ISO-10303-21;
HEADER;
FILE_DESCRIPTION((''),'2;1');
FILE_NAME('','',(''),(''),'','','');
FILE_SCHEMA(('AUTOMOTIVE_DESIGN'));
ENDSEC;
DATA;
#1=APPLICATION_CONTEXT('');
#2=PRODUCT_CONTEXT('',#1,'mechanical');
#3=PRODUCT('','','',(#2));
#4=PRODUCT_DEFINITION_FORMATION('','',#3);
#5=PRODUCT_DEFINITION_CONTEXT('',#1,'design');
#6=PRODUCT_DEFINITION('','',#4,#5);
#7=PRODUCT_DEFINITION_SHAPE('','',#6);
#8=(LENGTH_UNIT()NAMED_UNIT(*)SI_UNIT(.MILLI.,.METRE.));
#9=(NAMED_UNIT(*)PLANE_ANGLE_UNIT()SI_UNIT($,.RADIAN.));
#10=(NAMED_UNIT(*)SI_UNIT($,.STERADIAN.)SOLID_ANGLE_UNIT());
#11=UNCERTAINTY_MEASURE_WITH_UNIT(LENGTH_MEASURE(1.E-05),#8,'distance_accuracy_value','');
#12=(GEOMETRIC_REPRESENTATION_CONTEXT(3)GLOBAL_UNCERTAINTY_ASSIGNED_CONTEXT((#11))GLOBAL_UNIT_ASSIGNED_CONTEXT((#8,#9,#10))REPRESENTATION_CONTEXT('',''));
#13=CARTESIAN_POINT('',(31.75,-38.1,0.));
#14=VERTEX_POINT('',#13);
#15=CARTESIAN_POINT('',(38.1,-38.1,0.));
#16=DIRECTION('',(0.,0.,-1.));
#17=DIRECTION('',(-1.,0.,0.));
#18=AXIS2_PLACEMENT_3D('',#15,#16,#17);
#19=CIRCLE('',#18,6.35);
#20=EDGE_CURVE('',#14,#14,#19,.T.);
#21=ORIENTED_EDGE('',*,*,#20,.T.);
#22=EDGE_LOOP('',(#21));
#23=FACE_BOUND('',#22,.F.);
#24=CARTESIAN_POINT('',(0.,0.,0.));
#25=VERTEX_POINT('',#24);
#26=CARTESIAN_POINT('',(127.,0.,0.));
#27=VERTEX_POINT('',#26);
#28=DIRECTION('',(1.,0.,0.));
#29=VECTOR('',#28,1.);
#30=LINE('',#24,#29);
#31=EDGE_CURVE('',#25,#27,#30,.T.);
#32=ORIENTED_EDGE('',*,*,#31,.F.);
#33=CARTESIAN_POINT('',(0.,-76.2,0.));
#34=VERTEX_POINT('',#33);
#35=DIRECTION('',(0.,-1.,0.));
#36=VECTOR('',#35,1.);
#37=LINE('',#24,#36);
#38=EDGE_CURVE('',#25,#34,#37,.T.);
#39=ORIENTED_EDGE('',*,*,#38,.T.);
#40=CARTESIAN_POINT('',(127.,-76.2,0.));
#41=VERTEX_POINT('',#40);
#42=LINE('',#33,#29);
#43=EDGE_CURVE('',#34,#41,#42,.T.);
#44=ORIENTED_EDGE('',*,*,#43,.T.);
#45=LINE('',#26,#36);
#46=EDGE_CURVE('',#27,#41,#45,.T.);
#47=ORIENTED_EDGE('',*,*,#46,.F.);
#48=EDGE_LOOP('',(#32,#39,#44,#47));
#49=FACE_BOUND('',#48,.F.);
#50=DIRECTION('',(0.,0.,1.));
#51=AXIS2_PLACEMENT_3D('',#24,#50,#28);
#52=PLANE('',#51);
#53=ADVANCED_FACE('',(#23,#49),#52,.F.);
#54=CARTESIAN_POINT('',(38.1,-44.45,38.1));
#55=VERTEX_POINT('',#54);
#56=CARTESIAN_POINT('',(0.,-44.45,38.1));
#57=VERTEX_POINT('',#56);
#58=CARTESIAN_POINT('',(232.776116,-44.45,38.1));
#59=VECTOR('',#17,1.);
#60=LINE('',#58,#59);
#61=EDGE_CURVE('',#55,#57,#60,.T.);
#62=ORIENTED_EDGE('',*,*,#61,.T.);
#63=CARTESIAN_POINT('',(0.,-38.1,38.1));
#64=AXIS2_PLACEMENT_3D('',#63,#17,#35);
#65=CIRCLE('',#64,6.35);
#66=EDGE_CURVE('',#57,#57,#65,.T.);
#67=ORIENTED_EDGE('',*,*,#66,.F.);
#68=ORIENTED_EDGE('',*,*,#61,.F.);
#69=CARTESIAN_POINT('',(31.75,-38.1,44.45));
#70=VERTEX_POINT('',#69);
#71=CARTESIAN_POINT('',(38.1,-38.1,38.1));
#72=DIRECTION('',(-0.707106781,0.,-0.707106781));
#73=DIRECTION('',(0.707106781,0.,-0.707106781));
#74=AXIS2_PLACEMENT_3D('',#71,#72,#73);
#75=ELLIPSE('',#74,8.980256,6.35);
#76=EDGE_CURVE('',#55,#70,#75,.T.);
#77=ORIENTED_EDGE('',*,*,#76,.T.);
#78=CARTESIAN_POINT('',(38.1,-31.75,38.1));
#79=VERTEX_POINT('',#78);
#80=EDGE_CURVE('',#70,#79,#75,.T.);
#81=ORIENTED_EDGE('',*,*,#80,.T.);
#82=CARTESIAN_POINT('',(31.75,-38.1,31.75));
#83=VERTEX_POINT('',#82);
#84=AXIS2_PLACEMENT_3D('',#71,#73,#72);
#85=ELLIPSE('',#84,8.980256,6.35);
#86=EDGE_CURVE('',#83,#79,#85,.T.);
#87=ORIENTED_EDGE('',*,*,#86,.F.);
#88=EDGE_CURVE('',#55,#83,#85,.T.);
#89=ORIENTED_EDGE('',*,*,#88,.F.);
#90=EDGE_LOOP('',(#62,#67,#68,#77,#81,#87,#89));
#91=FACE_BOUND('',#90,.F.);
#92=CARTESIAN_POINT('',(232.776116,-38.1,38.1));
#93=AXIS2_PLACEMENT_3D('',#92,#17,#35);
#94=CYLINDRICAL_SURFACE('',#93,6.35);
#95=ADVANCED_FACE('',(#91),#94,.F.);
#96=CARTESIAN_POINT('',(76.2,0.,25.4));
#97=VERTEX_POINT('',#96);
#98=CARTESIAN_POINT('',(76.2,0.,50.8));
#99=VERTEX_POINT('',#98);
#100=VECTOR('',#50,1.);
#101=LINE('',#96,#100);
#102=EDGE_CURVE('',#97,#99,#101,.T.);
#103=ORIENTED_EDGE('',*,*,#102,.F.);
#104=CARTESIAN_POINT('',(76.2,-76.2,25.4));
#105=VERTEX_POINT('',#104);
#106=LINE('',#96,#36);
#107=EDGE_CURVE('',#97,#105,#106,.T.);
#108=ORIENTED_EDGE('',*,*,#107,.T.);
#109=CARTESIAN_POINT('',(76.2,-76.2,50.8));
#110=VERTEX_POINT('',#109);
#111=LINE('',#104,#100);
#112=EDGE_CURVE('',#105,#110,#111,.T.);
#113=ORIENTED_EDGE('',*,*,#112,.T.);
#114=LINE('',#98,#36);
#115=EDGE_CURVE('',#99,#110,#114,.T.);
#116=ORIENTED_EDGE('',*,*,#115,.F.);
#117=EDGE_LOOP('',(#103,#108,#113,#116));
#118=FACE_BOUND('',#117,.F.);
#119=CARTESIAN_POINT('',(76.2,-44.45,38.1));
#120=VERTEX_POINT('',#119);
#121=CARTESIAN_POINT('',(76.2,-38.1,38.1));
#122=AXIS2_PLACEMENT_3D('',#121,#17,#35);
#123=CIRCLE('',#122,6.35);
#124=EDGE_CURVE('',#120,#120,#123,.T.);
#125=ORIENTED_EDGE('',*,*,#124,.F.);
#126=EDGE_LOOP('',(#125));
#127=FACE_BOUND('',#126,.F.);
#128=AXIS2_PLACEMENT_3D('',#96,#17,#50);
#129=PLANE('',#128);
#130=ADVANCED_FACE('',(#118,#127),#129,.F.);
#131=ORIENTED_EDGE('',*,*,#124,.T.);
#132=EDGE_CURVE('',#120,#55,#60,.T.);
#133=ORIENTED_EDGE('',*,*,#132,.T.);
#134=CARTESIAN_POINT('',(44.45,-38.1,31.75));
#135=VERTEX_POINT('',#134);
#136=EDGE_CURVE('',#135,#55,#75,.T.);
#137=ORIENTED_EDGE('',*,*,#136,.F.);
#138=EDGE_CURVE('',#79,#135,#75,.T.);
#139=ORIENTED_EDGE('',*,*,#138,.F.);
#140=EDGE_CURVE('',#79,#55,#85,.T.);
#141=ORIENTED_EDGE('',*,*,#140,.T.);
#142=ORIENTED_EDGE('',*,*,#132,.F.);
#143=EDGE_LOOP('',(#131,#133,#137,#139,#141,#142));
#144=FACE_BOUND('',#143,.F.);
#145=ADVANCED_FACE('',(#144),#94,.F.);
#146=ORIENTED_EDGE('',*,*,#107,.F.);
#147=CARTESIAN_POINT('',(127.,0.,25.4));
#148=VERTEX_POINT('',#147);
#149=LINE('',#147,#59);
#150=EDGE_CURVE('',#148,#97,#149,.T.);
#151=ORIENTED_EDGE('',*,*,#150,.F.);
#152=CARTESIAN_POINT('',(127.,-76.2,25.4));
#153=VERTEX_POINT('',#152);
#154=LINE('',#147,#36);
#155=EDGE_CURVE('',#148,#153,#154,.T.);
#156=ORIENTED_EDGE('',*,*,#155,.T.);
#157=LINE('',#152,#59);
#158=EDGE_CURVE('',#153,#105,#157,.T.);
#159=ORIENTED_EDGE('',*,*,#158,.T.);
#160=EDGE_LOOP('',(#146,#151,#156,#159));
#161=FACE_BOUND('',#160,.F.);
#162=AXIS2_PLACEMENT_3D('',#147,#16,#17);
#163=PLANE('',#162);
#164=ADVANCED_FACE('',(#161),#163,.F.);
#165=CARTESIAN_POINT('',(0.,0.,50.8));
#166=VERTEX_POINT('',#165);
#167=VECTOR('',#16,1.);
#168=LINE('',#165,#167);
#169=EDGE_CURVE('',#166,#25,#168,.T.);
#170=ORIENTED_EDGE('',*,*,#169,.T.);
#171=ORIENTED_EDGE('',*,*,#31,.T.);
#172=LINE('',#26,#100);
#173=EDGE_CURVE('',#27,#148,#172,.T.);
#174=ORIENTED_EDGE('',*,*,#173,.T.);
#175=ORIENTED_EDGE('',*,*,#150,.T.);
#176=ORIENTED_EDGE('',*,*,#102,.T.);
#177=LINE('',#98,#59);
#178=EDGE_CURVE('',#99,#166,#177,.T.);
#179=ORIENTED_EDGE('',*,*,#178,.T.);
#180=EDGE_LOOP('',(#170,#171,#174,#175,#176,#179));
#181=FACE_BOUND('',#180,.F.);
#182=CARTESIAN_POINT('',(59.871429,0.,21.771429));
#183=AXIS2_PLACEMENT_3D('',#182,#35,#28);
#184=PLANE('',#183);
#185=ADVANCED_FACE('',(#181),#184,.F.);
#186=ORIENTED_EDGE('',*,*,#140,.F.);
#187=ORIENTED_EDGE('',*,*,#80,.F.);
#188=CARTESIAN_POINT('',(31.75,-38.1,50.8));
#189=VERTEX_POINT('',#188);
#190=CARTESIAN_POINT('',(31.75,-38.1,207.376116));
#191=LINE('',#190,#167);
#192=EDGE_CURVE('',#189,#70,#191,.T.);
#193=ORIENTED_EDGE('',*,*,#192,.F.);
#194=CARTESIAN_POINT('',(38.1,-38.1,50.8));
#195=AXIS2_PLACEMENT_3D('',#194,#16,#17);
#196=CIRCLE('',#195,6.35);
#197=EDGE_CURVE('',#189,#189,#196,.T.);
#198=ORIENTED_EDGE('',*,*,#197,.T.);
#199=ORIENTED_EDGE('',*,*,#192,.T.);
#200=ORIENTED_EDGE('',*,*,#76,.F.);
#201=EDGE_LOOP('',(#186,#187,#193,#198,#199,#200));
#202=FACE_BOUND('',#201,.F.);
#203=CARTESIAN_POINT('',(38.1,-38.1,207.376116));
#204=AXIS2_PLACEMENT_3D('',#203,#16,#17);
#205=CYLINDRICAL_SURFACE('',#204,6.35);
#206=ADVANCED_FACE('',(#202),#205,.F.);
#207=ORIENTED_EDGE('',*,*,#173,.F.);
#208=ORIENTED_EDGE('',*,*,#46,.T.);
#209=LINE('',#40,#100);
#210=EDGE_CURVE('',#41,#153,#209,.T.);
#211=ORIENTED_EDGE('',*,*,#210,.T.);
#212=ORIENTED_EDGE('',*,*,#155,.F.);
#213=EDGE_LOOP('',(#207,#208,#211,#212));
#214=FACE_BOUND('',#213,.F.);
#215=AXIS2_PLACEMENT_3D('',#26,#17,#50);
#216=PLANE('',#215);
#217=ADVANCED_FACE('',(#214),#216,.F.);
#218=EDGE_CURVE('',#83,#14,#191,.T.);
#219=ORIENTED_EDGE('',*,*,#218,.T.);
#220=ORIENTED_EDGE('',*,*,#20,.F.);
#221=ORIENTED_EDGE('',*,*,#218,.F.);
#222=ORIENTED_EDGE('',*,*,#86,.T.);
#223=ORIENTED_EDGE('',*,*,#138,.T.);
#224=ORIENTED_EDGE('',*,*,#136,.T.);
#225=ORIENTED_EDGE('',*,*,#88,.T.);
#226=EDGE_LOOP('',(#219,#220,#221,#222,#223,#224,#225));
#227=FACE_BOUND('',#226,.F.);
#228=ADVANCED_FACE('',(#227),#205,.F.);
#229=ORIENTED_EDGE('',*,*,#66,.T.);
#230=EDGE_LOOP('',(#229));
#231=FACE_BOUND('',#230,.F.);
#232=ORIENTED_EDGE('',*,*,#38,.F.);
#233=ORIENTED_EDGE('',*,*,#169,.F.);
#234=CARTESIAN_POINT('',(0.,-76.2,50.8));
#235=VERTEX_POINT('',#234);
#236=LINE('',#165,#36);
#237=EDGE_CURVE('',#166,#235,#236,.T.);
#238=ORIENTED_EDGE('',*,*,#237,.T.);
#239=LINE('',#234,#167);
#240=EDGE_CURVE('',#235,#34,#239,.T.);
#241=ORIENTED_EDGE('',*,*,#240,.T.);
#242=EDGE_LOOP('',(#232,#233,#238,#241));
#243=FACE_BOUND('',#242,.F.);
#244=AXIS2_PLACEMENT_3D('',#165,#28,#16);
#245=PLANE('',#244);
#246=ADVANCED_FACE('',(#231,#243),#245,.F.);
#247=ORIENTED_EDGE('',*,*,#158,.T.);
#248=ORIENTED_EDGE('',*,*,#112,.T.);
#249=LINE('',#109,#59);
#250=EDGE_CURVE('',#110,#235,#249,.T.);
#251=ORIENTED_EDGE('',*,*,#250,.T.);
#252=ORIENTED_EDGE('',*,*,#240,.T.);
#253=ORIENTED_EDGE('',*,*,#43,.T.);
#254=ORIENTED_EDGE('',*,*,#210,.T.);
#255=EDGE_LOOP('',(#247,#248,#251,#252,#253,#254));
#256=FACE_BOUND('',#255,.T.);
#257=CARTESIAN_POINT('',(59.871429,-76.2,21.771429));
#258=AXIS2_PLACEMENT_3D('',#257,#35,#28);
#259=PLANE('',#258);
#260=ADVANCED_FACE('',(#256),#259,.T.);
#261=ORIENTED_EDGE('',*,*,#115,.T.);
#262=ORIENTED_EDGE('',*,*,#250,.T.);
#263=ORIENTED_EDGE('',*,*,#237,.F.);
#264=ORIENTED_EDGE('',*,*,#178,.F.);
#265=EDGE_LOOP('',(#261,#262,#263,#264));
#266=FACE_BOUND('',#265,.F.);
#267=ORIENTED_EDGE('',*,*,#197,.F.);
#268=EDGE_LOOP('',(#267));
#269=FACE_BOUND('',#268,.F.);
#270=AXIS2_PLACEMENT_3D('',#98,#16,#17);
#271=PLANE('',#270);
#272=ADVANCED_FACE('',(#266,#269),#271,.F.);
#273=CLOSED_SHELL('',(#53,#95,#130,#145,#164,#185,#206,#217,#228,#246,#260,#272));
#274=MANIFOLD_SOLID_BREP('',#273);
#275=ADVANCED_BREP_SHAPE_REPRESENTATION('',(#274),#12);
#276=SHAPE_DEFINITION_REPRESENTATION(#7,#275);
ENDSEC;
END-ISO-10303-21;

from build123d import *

# Parameters (mm, degrees)
F1_DEPTH = 76.2
F4_D     = 12.7
F5_D     = 12.7


with BuildPart() as f1:
    # F0 (on Front) → F1 (new body)
    with BuildSketch(Plane.XZ):
        Polygon((0, 50.8), (0, 0), (127, 0), (127, 25.4), (76.2, 25.4), (76.2, 50.8), (55.7977, 50.8), align=None)
    extrude(amount=F1_DEPTH)

    # F4 (through all)
    with Locations(Plane.XY.offset(50.8)):
        with Locations((38.1, -38.1)):
            Hole(F4_D / 2)

    # F5 (through all)
    with Locations(Plane.YZ.offset(76.2)):
        with Locations((-38.1, 38.1)):
            Hole(F5_D / 2)


solid = f1.part
